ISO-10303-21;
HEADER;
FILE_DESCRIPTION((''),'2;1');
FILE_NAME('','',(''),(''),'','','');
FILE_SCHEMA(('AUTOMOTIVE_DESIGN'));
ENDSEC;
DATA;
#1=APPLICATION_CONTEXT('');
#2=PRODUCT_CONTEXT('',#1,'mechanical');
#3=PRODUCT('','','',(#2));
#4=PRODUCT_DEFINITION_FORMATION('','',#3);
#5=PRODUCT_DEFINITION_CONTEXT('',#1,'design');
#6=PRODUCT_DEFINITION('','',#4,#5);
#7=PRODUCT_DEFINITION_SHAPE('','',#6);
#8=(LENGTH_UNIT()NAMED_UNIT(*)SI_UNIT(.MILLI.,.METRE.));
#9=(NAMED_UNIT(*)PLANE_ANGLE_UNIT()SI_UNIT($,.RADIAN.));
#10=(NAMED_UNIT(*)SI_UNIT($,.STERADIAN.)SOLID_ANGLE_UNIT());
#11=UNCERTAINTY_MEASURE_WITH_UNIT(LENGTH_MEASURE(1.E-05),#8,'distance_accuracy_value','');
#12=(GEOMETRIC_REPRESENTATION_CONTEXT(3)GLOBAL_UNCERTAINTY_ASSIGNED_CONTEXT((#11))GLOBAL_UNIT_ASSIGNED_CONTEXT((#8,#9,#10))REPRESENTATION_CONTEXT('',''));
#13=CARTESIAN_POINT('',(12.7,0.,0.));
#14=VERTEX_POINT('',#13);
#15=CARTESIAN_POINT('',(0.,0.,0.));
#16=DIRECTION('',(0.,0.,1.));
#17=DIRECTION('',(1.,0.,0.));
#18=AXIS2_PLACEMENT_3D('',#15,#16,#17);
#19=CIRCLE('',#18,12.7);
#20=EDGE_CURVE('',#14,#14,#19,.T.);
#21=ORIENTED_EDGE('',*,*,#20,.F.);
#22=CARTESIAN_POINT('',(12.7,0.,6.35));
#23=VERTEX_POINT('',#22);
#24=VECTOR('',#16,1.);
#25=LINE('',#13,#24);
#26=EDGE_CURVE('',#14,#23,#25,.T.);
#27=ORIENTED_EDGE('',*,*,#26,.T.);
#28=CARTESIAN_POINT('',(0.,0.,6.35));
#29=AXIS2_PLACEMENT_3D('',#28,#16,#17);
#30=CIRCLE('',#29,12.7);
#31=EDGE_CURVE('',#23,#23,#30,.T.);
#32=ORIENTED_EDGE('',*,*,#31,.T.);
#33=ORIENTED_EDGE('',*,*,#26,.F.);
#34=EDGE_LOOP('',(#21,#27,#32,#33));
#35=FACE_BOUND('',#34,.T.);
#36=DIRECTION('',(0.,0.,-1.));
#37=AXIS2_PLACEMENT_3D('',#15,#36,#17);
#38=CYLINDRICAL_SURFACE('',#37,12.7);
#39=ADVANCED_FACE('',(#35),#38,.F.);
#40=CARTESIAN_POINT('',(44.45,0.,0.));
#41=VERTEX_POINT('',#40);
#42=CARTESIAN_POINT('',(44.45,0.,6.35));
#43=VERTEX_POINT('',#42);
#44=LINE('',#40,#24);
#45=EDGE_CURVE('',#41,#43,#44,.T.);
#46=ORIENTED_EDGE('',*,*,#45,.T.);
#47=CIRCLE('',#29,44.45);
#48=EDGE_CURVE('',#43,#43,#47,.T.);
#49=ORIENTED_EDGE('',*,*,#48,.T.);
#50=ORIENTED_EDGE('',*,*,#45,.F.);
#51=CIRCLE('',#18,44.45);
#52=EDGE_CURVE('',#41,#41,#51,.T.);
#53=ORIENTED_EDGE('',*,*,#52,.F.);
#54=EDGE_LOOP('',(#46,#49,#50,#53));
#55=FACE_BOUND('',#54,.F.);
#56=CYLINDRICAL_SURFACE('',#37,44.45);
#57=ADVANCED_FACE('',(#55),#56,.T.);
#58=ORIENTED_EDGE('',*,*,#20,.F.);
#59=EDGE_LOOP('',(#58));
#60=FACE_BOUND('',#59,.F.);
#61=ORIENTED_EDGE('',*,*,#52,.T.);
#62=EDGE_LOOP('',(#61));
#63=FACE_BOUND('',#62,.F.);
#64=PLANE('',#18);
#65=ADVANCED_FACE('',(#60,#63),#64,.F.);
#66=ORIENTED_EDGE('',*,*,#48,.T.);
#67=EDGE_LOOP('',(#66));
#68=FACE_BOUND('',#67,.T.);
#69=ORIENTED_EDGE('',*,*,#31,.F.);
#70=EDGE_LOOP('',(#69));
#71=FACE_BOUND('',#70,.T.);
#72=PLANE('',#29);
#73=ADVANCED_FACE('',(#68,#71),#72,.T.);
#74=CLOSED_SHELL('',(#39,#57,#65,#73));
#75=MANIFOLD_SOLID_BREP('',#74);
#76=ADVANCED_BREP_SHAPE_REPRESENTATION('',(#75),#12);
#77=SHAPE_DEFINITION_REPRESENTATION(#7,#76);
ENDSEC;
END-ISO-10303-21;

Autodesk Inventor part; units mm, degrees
ref_plane "YZ Plane" through (0, 0, 0) normal (1, 0, 0) x (0, 1, 0)
ref_plane "XZ Plane" through (0, 0, 0) normal (0, 1, 0) x (-1, 0, 0)
ref_plane "XY Plane" through (0, 0, 0) normal (0, 0, 1) x (1, 0, 0)
sketch "Sketch1" plane through (0, 0, 0) normal (0, 0, 1) x (1, 0, 0)
  circle A0 centre (0, 0) radius 44.45
  circle A1 centre (0, 0) radius 12.7
  dimension "d0" = 88.9
  dimension "d1" = 25.4
extrude "Extrusion1" add sketch "Sketch1" along normal blind 6.35
properties part number "Cap"
